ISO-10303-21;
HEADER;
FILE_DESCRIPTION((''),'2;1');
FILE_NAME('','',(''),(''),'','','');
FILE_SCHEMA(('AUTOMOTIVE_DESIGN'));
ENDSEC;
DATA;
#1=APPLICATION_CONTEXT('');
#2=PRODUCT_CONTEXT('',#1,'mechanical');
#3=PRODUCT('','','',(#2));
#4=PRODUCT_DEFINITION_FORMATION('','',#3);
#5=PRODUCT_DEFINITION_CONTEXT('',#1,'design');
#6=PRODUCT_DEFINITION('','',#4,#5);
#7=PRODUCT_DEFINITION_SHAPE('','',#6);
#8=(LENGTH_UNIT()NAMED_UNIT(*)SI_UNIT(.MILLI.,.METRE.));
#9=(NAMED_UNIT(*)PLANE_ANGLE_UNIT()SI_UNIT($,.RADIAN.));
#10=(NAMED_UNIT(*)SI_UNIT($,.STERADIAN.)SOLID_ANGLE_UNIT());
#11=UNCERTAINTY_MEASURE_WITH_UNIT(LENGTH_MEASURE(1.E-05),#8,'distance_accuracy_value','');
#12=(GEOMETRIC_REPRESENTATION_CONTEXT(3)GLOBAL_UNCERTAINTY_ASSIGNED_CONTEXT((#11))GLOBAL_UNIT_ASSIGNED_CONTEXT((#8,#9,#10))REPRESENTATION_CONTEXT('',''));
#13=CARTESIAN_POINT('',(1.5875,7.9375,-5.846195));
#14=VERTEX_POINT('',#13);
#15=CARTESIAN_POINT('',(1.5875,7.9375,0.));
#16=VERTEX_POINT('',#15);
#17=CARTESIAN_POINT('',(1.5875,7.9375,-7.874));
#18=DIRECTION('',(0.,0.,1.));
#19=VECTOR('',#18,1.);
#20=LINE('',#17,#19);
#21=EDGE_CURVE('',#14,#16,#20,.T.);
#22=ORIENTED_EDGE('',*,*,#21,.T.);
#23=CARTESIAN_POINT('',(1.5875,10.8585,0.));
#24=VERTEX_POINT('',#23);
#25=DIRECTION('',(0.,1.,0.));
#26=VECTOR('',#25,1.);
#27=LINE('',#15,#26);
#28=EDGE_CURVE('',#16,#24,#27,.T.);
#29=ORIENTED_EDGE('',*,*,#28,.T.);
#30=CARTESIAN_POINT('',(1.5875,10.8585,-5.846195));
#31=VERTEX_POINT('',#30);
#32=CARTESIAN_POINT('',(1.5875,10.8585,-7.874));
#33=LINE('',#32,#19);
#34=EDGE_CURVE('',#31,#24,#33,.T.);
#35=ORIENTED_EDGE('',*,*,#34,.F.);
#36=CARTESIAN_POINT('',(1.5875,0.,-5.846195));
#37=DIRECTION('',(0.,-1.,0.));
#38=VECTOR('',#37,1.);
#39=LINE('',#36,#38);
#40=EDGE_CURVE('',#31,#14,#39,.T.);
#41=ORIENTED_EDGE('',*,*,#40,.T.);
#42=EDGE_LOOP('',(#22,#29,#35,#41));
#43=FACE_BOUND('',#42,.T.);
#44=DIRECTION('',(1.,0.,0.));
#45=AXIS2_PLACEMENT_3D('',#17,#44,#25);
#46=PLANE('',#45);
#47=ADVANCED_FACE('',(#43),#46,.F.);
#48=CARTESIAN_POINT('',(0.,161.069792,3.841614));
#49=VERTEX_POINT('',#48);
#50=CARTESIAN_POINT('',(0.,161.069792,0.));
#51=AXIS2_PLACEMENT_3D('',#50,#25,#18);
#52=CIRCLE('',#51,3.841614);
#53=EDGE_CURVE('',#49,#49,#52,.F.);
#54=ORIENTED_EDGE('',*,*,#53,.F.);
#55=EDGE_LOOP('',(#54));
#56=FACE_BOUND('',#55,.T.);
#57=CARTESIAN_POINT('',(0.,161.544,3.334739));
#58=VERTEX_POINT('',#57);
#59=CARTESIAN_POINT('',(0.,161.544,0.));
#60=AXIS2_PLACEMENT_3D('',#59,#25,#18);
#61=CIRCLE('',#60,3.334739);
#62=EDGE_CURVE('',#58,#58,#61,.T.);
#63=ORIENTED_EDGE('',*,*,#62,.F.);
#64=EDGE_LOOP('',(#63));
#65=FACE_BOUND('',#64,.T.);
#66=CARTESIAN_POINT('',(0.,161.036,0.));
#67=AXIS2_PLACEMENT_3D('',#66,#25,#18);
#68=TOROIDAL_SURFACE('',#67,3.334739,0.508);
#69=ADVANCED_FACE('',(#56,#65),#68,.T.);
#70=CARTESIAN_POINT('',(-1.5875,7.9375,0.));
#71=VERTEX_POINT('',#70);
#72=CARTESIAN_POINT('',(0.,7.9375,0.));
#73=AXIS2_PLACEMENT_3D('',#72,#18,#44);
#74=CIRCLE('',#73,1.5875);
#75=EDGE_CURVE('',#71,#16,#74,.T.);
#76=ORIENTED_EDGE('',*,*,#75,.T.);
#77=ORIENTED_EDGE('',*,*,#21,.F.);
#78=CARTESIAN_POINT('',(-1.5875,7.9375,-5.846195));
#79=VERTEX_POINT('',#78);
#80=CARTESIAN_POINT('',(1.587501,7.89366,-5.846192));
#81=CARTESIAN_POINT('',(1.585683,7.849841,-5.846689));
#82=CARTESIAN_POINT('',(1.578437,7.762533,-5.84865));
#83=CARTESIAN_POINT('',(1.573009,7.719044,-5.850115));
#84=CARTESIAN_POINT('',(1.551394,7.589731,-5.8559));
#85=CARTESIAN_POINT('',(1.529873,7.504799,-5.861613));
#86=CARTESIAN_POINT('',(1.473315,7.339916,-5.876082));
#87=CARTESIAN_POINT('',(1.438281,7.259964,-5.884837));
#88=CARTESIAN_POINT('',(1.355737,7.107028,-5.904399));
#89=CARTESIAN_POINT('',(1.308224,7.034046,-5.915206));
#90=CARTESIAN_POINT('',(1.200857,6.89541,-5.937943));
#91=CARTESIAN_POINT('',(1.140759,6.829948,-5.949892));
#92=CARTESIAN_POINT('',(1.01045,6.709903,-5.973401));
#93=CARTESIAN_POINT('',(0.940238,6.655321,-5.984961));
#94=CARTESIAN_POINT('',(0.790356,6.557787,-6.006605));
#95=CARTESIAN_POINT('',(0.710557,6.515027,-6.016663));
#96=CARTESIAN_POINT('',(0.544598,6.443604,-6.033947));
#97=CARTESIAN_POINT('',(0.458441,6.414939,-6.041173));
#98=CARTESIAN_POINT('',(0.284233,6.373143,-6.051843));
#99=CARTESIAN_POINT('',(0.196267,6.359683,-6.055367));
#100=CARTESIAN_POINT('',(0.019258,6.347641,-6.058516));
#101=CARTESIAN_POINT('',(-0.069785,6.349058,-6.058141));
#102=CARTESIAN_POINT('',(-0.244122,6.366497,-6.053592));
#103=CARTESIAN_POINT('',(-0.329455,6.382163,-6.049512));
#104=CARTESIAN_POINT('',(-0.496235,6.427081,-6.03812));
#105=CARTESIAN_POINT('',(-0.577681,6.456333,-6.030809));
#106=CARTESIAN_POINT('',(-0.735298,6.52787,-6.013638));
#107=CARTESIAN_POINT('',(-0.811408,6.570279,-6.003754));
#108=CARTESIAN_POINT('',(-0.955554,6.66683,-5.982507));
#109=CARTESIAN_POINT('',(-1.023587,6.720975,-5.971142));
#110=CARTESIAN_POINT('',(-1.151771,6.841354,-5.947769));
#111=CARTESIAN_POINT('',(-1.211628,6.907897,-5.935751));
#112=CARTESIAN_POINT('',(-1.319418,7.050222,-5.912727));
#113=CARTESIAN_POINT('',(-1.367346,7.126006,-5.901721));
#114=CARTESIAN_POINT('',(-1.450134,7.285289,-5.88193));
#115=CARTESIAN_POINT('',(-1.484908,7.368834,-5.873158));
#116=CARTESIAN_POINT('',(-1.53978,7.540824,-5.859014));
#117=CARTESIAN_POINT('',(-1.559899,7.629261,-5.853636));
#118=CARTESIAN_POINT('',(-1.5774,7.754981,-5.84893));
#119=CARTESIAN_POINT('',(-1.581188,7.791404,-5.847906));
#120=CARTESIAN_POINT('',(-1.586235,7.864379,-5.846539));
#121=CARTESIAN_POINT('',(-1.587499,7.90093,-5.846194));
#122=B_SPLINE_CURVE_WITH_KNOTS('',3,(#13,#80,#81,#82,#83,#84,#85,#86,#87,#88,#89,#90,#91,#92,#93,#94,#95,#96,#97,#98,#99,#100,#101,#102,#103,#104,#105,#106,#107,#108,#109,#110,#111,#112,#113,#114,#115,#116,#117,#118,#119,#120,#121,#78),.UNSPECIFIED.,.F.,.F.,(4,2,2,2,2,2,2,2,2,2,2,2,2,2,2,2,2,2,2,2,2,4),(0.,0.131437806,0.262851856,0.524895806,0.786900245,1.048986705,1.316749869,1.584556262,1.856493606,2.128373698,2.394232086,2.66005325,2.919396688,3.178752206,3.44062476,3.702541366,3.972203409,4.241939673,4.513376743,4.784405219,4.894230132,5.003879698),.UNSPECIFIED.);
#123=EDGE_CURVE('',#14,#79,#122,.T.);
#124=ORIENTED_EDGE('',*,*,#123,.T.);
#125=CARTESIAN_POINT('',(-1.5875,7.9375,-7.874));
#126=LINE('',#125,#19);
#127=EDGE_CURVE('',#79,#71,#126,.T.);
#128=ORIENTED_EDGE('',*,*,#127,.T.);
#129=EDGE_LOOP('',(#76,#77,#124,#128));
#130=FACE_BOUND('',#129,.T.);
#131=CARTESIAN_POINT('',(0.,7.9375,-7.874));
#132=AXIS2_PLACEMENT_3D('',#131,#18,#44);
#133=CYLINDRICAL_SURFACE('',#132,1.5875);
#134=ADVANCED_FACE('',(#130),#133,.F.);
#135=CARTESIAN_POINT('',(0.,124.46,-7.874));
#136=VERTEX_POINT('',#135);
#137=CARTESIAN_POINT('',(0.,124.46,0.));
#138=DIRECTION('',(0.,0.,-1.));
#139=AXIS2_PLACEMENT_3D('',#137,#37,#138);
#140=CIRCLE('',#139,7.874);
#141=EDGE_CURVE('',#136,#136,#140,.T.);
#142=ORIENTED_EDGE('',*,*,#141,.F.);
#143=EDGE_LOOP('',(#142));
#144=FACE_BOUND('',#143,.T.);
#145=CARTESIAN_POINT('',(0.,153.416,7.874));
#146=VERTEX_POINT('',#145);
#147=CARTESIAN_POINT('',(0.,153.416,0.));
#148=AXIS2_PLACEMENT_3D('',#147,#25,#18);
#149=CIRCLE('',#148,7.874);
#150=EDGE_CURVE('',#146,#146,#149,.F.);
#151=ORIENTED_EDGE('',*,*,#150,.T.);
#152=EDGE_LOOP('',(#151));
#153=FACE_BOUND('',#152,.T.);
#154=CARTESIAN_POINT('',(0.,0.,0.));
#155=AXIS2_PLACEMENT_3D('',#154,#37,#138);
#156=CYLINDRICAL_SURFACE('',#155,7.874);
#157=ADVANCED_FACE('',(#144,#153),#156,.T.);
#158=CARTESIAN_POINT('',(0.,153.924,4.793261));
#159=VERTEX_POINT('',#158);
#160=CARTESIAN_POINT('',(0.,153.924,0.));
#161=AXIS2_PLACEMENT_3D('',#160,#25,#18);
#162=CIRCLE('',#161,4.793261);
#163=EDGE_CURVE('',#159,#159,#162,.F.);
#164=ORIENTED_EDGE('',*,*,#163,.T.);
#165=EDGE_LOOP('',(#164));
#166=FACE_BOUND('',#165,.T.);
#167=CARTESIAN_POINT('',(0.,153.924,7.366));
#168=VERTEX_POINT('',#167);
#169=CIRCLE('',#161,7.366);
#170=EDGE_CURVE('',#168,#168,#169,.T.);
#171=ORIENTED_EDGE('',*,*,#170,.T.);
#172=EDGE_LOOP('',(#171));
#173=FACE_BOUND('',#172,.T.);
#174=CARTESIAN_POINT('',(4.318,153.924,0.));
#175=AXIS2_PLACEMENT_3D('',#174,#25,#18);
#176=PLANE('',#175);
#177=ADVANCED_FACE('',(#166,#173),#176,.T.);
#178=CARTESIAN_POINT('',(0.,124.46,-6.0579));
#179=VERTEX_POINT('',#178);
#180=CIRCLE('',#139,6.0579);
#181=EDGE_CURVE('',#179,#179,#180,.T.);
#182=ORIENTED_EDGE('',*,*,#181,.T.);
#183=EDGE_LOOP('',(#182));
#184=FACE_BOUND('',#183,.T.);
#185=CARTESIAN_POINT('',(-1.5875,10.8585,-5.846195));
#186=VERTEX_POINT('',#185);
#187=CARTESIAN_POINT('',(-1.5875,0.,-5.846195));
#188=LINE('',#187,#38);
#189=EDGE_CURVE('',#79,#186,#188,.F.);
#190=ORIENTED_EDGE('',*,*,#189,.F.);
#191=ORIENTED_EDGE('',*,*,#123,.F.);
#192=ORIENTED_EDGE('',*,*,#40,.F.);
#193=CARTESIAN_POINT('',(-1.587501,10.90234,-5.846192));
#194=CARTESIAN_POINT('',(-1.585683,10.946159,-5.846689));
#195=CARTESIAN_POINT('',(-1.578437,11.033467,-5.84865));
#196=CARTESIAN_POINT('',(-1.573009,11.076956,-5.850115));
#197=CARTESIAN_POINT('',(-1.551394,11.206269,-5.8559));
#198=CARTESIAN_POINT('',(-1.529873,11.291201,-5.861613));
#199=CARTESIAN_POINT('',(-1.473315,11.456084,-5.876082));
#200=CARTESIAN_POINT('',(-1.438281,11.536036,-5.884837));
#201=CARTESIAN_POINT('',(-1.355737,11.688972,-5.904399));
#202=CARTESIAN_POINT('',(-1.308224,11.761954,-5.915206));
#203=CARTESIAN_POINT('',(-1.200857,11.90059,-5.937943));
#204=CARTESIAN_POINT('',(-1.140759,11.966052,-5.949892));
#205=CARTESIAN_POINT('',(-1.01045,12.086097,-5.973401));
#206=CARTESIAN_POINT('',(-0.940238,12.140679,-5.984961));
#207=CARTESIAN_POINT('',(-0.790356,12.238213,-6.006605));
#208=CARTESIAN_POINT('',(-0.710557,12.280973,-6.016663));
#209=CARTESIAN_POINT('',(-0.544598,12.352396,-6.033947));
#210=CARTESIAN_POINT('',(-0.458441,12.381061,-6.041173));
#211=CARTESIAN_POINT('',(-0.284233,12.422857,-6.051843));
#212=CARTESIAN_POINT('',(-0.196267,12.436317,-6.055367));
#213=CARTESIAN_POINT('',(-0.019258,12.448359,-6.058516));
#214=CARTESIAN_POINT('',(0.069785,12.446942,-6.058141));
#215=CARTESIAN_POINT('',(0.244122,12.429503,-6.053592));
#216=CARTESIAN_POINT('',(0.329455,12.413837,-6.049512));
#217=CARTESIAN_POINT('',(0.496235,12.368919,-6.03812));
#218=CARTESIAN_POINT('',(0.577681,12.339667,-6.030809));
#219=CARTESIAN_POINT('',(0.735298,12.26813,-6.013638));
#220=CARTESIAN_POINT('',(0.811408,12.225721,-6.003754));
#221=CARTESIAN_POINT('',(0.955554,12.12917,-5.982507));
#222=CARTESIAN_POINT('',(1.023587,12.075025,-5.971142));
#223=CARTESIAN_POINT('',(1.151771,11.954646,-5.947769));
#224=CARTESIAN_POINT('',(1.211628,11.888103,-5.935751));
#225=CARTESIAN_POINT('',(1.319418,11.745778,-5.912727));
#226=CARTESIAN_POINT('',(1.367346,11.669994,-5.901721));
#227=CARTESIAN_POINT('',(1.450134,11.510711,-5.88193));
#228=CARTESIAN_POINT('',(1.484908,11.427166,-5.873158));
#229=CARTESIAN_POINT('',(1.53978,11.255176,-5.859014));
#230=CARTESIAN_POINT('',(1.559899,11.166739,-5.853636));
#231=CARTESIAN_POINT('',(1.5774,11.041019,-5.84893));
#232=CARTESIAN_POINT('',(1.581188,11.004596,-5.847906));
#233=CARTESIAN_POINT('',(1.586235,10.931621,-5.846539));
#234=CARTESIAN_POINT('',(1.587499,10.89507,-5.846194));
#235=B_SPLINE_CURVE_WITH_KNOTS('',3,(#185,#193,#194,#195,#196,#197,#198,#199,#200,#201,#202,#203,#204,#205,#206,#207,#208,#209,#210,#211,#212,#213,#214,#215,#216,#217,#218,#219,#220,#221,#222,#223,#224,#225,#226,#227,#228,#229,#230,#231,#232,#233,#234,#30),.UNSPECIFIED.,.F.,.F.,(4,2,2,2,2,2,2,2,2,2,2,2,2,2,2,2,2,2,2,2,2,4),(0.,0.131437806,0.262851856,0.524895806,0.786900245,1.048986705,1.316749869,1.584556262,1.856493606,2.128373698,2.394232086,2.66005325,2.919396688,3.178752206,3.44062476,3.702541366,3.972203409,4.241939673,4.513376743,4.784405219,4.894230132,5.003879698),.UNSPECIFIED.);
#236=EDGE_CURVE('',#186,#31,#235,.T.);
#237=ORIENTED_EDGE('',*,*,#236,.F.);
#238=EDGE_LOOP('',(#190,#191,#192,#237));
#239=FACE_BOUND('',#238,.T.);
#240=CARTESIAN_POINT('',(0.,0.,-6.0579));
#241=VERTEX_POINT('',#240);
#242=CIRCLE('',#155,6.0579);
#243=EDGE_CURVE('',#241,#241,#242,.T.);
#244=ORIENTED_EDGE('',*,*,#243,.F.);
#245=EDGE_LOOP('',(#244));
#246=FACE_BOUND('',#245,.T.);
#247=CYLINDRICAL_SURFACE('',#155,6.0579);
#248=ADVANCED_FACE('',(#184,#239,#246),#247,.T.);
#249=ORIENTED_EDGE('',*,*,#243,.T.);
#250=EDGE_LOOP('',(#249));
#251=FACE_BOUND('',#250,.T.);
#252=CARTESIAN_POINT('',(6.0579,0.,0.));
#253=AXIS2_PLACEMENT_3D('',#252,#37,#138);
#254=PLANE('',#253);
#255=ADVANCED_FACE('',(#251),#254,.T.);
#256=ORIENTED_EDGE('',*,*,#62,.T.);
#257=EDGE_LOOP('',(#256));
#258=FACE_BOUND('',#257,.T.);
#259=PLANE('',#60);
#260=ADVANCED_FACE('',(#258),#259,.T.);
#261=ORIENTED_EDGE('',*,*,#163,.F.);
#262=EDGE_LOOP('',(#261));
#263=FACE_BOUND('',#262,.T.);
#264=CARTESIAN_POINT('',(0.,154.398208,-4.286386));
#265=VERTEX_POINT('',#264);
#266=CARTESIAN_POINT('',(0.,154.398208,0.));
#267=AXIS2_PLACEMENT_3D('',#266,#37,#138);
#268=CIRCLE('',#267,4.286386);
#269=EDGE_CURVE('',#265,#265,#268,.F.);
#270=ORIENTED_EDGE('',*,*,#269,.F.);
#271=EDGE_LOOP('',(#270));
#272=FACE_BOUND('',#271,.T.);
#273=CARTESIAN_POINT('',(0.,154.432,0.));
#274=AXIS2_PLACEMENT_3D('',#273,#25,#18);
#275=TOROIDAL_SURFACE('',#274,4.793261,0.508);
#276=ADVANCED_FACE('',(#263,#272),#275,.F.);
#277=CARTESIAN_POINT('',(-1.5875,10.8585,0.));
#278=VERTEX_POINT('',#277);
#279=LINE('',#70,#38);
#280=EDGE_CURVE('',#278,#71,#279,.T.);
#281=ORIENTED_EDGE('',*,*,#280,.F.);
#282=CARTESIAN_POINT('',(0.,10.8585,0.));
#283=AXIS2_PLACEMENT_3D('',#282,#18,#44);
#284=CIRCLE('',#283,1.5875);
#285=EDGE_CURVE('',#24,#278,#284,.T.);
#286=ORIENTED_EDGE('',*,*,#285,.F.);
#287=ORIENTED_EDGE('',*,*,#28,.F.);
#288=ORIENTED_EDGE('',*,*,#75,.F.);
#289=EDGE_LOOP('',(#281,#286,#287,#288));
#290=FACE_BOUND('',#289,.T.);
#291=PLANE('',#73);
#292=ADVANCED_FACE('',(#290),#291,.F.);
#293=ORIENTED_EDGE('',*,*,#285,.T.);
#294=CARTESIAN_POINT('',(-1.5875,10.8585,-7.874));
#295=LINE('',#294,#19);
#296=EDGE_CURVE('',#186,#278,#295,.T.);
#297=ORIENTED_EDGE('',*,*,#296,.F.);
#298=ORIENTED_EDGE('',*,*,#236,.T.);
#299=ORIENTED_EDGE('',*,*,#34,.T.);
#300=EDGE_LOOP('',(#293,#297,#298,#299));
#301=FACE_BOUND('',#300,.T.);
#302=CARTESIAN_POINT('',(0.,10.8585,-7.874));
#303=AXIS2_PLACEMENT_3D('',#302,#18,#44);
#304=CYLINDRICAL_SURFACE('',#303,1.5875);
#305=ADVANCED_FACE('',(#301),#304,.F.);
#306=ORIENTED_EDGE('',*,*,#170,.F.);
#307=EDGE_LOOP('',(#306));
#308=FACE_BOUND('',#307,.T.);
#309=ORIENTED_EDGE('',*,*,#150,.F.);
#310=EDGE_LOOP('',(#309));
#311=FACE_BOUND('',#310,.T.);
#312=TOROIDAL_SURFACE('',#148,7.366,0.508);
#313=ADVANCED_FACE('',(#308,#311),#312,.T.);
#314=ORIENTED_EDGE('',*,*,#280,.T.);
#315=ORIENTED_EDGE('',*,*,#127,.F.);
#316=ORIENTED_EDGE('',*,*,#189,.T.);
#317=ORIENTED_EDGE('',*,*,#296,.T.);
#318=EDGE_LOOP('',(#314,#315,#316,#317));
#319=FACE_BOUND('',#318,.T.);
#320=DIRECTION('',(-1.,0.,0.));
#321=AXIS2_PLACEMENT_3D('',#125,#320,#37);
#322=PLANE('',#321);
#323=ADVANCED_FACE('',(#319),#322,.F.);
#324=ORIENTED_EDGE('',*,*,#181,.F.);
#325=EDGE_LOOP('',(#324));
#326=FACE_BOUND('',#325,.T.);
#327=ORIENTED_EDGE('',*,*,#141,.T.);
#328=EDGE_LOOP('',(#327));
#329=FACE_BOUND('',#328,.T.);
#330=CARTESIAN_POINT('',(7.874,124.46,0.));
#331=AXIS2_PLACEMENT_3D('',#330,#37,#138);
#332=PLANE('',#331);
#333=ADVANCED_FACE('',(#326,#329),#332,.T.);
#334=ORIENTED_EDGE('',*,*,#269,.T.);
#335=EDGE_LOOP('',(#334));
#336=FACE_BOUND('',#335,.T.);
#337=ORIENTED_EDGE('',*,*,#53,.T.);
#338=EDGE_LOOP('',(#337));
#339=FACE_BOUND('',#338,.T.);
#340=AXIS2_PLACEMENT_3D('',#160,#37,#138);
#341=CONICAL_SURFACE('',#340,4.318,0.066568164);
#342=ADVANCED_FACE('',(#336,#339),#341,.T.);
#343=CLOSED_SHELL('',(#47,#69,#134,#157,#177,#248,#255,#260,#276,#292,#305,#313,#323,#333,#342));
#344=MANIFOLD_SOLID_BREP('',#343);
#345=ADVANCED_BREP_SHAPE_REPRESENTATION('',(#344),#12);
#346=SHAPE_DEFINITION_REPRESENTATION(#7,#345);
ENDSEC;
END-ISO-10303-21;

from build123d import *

# Parameters (mm, degrees)
CUT_EXTRUDE1_DEPTH = 162.927340767
FILLET1_R          = 0.508


with BuildPart() as part:
    # Sketch1 → Revolve1 (revolve)
    with BuildSketch(Plane.XY, mode=Mode.PRIVATE) as revolve1_sk:
        Polygon((0, 161.544), (3.81, 161.544), (4.318, 153.924), (7.874, 153.924), (7.874, 124.46), (6.0579, 124.46), (6.0579, 0), (0, 0), align=None)
    revolve(revolve1_sk.sketch.rotate(Axis((0, 0, 0), (0, 1, 0)), 90), axis=Axis((0, 0, 0), (0, 1, 0)))

    # Sketch2 → Cut-Extrude1 (cut, through all)
    with BuildSketch(Plane.XY):
        with BuildLine():
            Line((-1.5875, 7.9375), (-1.5875, 10.8585))
            ThreePointArc((-1.5875, 10.8585), (0, 12.446), (1.5875, 10.8585))
            Line((1.5875, 10.8585), (1.5875, 7.9375))
            ThreePointArc((1.5875, 7.9375), (0, 6.35), (-1.5875, 7.9375))
        make_face()
    extrude(amount=-CUT_EXTRUDE1_DEPTH, mode=Mode.SUBTRACT)

    # Fillet1
    fillet1_edges = [part.edges().sort_by_distance(p)[0] for p in [
        (0, 153.924, 7.874),
        (0, 153.924, 4.318),
        (0, 161.544, 3.81),
    ]]
    fillet(fillet1_edges, radius=FILLET1_R)


solid = part.part
